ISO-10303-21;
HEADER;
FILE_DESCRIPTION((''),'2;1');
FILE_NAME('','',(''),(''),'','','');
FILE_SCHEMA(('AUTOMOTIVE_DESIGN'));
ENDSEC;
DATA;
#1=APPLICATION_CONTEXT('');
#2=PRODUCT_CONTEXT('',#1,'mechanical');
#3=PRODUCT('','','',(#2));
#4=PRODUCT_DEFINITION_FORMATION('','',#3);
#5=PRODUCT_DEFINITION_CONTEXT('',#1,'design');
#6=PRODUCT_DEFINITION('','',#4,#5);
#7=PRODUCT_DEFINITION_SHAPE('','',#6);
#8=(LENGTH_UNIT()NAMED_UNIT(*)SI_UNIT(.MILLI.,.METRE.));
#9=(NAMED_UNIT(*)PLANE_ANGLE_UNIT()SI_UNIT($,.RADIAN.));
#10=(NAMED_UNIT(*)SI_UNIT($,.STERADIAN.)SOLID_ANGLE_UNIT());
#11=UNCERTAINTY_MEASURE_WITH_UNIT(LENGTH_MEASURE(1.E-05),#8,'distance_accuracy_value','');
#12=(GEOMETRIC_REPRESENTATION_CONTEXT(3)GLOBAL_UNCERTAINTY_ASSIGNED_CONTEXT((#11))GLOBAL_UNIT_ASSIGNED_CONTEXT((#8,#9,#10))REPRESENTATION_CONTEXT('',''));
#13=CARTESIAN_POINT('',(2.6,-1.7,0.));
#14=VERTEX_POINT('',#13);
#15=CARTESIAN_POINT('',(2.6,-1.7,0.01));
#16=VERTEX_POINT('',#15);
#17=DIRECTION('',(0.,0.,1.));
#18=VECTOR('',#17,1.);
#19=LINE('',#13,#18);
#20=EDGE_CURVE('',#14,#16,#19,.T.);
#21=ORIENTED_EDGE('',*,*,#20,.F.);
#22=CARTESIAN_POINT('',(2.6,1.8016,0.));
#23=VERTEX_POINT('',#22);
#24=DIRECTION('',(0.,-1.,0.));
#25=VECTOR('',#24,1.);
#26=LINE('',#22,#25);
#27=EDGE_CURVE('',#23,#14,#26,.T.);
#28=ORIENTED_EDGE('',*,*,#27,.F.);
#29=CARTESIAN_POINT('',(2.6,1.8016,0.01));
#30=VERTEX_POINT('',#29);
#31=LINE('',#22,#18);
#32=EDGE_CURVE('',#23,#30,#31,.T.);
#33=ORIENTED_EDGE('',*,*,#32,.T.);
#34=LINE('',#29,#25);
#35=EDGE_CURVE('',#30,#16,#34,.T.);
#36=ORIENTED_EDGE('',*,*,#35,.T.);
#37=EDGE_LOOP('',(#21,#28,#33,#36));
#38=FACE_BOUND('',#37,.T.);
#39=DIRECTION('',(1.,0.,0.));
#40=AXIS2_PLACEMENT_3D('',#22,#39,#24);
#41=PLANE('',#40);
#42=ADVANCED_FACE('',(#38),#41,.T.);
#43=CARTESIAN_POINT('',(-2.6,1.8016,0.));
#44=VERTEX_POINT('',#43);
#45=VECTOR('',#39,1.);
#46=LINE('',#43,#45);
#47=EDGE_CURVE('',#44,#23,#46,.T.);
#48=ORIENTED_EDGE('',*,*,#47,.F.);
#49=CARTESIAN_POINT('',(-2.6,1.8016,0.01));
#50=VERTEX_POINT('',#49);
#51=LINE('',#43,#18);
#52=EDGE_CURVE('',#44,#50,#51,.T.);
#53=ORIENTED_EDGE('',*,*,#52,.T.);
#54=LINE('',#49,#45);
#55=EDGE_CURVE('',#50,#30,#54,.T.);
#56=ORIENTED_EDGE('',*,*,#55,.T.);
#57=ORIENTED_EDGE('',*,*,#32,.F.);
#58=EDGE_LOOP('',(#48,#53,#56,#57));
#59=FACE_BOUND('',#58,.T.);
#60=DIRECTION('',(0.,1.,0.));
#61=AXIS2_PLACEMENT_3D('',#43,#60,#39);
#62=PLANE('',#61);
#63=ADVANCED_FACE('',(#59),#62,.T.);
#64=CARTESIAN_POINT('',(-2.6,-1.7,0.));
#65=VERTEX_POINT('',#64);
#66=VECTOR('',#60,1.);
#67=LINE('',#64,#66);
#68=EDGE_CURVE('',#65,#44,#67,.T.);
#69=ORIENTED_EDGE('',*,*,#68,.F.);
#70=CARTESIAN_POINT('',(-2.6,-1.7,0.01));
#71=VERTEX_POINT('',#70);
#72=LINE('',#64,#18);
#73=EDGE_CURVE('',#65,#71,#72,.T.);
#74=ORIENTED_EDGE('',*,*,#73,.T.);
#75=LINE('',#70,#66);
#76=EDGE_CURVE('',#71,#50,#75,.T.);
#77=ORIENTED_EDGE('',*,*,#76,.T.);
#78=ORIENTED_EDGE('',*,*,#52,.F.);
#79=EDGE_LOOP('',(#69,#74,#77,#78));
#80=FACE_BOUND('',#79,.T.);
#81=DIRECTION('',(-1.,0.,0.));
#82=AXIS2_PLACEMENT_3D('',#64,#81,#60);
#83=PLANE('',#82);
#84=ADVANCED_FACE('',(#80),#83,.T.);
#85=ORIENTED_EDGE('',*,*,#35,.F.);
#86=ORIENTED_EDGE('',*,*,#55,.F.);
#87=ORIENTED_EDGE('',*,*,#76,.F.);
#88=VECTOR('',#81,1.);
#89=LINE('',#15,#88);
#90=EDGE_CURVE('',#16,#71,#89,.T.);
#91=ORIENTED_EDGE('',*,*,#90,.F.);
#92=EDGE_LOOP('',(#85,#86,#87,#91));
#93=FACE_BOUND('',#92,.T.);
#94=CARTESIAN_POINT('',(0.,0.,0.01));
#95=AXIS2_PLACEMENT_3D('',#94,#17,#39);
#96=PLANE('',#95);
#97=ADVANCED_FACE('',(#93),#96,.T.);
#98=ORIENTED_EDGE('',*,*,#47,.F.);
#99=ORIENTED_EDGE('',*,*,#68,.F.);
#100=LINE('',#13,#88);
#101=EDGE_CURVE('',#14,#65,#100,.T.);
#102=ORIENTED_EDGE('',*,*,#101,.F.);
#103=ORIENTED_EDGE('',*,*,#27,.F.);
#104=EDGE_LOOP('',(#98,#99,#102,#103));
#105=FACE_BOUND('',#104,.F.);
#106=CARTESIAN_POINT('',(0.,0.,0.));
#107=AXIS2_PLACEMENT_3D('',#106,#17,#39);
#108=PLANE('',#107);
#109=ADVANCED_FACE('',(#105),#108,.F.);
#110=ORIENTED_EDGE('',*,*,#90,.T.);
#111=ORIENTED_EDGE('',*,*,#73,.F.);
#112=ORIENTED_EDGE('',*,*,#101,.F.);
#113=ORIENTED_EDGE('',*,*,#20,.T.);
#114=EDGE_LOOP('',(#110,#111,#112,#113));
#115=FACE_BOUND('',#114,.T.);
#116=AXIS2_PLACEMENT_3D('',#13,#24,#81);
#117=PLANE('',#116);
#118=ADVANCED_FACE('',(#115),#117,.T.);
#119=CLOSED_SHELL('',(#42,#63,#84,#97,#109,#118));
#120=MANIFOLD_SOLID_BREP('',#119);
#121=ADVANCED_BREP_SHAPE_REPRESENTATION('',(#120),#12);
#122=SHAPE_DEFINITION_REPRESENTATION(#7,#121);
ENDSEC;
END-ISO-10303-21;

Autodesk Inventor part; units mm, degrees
ref_plane "YZ Plane" through (0, 0, 0) normal (1, 0, 0) x (0, 1, 0)
ref_plane "XZ Plane" through (0, 0, 0) normal (0, 1, 0) x (-1, 0, 0)
ref_plane "XY Plane" through (0, 0, 0) normal (0, 0, 1) x (1, 0, 0)
sketch "CRYSTAL-SMD-5X3_2-4PAD, 16_000_95" plane through (0, 0, 0) normal (0, 0, 1) x (1, 0, 0)
  line L0 (-2.6, 1.8016) -> (2.6, 1.8016)
  line L1 (2.6, 1.8016) -> (2.6, -1.7)
  line L2 (2.6, -1.7) -> (-2.6, -1.7)
  line L3 (-2.6, -1.7) -> (-2.6, 1.8016)
extrude "Extrusion1" add sketch "CRYSTAL-SMD-5X3_2-4PAD, 16_000_95" along normal blind 0.01
properties part number "16_000"
